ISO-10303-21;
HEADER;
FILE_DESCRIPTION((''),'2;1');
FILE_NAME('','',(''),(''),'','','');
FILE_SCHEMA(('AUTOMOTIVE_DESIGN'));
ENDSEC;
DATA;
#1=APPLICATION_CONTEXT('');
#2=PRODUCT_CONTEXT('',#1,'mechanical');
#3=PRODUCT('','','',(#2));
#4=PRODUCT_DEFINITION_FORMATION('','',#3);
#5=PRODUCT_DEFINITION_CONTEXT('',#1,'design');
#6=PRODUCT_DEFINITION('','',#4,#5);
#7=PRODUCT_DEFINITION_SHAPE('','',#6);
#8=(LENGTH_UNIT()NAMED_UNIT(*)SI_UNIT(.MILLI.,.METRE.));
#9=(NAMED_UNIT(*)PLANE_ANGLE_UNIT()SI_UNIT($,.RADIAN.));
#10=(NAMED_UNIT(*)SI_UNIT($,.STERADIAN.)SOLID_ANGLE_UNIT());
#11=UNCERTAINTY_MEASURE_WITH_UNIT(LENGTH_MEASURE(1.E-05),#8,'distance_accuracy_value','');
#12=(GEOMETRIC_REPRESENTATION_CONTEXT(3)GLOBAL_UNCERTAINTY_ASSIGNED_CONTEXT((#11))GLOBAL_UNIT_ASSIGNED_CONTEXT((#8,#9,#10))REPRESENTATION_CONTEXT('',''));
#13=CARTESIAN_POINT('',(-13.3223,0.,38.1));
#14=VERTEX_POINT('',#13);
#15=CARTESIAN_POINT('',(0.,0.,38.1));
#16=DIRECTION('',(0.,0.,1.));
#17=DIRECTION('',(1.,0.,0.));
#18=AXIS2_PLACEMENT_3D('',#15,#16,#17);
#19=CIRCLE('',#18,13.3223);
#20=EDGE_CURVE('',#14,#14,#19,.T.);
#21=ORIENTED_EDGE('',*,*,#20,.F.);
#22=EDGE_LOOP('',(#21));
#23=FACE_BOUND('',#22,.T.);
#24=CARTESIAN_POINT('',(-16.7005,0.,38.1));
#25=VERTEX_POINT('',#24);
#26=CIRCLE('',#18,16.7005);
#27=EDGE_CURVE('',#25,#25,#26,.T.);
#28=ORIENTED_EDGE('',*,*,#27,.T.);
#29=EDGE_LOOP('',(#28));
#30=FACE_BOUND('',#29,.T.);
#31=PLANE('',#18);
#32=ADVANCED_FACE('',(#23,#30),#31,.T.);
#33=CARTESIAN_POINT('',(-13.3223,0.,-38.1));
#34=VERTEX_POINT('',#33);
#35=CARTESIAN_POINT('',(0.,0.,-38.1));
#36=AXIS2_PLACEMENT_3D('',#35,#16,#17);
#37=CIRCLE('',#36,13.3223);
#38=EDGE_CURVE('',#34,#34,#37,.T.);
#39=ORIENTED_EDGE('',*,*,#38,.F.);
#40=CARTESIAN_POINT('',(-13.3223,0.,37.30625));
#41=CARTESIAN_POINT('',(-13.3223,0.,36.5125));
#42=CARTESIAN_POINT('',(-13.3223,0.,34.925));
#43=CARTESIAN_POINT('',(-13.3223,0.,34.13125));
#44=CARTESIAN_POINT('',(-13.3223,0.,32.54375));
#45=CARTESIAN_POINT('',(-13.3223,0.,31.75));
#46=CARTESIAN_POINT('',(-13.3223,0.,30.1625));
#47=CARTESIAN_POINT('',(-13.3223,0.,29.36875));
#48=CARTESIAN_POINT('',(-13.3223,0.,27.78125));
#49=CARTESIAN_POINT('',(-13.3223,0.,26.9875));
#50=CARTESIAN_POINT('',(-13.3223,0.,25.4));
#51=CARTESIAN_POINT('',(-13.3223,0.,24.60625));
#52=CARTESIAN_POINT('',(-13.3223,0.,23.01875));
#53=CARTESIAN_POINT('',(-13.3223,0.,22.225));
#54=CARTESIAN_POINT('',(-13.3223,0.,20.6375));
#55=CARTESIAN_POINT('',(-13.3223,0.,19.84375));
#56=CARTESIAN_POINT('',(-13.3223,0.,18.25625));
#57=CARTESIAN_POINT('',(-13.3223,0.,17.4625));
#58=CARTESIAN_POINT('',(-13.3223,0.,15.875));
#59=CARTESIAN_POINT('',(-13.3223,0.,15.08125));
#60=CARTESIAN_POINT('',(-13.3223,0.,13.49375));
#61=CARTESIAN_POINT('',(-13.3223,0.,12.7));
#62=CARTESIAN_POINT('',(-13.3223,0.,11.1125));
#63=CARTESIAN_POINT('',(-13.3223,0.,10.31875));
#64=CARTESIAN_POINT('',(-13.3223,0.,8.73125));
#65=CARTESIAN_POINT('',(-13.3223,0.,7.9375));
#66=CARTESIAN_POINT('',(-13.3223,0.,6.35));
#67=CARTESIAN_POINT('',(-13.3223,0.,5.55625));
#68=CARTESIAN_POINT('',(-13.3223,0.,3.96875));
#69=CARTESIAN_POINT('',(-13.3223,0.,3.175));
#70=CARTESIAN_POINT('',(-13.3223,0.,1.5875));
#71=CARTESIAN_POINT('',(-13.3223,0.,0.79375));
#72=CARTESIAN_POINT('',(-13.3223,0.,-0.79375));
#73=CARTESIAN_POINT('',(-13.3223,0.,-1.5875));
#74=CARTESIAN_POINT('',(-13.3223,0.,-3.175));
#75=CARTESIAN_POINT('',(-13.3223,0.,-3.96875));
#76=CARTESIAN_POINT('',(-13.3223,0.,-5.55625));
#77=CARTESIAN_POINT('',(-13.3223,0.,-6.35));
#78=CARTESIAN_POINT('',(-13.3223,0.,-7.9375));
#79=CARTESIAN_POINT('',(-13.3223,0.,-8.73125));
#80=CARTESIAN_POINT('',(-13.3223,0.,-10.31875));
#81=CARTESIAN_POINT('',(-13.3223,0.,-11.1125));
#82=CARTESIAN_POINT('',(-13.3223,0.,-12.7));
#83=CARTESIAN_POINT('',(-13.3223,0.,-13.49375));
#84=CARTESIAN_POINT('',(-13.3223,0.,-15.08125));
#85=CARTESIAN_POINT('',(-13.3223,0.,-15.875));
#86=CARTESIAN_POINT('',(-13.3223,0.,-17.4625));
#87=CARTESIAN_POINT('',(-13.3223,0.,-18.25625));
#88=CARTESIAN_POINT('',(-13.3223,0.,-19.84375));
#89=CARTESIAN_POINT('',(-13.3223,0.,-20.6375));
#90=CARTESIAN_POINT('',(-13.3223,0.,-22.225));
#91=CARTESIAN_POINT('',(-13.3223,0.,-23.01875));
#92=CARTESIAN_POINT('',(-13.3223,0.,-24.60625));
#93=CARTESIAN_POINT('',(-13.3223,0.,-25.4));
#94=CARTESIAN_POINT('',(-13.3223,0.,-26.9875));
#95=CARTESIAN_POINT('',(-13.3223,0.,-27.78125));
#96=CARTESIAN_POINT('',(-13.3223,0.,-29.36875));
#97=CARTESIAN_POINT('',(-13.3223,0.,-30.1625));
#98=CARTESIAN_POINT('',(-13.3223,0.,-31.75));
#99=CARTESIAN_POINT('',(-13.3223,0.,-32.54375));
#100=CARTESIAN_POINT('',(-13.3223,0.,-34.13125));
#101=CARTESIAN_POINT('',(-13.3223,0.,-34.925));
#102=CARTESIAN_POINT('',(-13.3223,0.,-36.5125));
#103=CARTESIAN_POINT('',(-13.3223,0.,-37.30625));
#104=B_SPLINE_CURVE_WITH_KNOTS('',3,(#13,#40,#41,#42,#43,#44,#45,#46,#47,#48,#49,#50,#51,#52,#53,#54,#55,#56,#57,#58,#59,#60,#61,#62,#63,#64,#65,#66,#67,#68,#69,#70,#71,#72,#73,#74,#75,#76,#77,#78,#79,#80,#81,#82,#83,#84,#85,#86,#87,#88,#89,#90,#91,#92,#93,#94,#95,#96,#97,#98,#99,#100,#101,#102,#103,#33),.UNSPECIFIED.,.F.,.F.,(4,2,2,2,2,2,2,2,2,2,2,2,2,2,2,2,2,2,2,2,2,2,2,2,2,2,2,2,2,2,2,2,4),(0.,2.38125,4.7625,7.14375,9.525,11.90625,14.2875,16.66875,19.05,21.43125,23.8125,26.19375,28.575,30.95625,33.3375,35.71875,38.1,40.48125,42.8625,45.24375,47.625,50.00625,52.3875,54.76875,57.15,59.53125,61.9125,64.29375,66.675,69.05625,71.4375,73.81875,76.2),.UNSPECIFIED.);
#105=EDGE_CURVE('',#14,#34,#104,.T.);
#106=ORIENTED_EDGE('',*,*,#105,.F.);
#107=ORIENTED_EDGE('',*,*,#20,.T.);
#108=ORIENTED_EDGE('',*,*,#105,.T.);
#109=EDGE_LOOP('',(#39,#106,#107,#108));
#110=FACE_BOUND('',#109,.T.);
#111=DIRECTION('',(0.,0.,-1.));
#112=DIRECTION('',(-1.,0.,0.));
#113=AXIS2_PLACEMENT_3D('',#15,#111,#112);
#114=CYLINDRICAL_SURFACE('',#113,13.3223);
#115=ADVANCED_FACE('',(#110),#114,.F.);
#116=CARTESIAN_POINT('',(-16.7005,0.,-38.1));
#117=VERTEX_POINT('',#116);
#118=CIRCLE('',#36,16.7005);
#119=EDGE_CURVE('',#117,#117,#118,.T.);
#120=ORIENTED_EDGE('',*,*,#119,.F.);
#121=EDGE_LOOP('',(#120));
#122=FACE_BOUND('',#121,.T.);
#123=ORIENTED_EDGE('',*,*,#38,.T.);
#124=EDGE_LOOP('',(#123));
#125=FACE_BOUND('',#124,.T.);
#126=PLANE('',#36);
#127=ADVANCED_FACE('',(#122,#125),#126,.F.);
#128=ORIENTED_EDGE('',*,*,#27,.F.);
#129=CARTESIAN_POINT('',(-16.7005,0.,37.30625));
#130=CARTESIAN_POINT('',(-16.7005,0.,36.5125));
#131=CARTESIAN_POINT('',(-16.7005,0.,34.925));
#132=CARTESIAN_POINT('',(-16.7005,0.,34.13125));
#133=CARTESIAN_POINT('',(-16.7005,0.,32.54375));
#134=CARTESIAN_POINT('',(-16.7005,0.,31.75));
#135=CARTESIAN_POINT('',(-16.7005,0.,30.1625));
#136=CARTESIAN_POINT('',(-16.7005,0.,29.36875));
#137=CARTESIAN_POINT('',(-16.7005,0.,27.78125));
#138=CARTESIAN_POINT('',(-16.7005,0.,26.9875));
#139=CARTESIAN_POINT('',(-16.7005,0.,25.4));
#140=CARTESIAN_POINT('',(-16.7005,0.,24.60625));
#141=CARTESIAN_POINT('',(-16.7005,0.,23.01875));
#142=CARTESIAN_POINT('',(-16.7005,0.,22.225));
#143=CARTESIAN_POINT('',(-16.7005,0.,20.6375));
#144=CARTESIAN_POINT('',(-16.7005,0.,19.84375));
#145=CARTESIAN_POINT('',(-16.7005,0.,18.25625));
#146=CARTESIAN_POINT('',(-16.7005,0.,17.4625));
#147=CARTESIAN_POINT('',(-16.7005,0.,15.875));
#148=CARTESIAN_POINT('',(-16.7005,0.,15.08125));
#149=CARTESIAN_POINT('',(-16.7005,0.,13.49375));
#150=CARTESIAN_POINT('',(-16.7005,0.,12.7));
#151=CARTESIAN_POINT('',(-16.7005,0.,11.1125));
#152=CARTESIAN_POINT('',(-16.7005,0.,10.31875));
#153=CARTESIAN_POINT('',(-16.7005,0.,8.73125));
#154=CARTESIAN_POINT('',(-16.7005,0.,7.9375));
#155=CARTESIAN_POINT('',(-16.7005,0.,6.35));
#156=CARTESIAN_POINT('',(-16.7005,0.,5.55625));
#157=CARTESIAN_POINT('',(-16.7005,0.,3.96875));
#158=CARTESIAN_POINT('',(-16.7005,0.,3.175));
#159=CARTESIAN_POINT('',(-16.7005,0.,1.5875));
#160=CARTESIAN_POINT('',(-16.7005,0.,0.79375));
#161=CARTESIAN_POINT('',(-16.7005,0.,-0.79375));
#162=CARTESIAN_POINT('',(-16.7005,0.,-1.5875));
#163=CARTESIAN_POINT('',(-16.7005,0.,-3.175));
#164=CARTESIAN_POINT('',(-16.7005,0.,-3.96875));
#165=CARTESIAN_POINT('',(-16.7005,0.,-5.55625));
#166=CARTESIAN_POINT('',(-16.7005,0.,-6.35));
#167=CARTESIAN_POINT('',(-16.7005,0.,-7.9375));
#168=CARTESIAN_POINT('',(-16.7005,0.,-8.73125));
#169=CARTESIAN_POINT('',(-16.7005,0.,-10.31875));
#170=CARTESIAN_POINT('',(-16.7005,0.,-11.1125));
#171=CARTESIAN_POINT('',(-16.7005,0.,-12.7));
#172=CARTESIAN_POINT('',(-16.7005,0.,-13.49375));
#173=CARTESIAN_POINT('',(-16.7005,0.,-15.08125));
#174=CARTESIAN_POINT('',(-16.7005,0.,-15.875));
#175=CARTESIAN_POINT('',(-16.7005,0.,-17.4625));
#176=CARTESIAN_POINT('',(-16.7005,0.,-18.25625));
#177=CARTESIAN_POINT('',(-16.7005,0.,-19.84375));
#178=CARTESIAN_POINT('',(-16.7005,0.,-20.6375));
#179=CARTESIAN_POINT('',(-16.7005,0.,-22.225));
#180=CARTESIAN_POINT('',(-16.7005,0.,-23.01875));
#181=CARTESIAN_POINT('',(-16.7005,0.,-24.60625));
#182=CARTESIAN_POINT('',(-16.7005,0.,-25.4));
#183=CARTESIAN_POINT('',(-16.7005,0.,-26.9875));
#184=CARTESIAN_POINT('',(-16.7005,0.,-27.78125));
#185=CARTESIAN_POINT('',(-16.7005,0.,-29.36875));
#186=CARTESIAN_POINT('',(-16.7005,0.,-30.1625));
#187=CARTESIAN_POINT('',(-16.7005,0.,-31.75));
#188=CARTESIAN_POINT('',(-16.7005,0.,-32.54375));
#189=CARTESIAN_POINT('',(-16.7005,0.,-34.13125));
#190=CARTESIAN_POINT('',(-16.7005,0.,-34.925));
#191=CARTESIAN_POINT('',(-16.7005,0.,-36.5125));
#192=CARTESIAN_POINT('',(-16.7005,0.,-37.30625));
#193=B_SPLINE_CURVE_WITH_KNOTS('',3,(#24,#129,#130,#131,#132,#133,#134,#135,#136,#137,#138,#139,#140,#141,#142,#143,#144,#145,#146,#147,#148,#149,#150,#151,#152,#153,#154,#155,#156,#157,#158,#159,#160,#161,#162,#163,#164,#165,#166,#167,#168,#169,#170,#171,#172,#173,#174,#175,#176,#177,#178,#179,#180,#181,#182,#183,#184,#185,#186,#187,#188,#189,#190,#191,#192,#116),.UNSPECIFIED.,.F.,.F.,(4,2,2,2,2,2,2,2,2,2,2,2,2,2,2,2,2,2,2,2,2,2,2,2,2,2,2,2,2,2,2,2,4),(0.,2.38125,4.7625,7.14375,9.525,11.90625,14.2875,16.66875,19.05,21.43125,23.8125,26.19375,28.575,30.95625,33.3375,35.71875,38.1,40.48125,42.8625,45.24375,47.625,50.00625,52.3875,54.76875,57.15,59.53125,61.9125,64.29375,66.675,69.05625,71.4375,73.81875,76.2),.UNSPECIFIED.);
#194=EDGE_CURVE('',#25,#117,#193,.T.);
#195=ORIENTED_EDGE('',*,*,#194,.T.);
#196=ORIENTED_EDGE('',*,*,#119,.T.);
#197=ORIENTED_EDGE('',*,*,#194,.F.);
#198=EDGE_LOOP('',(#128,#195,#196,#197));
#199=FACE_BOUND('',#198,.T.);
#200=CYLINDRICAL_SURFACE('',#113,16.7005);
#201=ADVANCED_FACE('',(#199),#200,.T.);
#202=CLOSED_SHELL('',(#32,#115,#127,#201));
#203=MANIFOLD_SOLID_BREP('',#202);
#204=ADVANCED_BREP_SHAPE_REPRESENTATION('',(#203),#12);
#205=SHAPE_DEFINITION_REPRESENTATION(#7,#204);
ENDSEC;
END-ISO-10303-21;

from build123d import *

# Parameters (mm, degrees)
SKETCH1_R           = 16.7005
SKETCH1_R_2         = 13.3223
EXTRUDE_THIN1_DEPTH = 38.1


with BuildPart() as part:
    # Sketch1 → Extrude-Thin1 (new, symmetric)
    with BuildSketch(Plane.XY):
        Circle(SKETCH1_R)
        Circle(SKETCH1_R_2, mode=Mode.SUBTRACT)
    extrude(amount=EXTRUDE_THIN1_DEPTH, both=True)


solid = part.part
